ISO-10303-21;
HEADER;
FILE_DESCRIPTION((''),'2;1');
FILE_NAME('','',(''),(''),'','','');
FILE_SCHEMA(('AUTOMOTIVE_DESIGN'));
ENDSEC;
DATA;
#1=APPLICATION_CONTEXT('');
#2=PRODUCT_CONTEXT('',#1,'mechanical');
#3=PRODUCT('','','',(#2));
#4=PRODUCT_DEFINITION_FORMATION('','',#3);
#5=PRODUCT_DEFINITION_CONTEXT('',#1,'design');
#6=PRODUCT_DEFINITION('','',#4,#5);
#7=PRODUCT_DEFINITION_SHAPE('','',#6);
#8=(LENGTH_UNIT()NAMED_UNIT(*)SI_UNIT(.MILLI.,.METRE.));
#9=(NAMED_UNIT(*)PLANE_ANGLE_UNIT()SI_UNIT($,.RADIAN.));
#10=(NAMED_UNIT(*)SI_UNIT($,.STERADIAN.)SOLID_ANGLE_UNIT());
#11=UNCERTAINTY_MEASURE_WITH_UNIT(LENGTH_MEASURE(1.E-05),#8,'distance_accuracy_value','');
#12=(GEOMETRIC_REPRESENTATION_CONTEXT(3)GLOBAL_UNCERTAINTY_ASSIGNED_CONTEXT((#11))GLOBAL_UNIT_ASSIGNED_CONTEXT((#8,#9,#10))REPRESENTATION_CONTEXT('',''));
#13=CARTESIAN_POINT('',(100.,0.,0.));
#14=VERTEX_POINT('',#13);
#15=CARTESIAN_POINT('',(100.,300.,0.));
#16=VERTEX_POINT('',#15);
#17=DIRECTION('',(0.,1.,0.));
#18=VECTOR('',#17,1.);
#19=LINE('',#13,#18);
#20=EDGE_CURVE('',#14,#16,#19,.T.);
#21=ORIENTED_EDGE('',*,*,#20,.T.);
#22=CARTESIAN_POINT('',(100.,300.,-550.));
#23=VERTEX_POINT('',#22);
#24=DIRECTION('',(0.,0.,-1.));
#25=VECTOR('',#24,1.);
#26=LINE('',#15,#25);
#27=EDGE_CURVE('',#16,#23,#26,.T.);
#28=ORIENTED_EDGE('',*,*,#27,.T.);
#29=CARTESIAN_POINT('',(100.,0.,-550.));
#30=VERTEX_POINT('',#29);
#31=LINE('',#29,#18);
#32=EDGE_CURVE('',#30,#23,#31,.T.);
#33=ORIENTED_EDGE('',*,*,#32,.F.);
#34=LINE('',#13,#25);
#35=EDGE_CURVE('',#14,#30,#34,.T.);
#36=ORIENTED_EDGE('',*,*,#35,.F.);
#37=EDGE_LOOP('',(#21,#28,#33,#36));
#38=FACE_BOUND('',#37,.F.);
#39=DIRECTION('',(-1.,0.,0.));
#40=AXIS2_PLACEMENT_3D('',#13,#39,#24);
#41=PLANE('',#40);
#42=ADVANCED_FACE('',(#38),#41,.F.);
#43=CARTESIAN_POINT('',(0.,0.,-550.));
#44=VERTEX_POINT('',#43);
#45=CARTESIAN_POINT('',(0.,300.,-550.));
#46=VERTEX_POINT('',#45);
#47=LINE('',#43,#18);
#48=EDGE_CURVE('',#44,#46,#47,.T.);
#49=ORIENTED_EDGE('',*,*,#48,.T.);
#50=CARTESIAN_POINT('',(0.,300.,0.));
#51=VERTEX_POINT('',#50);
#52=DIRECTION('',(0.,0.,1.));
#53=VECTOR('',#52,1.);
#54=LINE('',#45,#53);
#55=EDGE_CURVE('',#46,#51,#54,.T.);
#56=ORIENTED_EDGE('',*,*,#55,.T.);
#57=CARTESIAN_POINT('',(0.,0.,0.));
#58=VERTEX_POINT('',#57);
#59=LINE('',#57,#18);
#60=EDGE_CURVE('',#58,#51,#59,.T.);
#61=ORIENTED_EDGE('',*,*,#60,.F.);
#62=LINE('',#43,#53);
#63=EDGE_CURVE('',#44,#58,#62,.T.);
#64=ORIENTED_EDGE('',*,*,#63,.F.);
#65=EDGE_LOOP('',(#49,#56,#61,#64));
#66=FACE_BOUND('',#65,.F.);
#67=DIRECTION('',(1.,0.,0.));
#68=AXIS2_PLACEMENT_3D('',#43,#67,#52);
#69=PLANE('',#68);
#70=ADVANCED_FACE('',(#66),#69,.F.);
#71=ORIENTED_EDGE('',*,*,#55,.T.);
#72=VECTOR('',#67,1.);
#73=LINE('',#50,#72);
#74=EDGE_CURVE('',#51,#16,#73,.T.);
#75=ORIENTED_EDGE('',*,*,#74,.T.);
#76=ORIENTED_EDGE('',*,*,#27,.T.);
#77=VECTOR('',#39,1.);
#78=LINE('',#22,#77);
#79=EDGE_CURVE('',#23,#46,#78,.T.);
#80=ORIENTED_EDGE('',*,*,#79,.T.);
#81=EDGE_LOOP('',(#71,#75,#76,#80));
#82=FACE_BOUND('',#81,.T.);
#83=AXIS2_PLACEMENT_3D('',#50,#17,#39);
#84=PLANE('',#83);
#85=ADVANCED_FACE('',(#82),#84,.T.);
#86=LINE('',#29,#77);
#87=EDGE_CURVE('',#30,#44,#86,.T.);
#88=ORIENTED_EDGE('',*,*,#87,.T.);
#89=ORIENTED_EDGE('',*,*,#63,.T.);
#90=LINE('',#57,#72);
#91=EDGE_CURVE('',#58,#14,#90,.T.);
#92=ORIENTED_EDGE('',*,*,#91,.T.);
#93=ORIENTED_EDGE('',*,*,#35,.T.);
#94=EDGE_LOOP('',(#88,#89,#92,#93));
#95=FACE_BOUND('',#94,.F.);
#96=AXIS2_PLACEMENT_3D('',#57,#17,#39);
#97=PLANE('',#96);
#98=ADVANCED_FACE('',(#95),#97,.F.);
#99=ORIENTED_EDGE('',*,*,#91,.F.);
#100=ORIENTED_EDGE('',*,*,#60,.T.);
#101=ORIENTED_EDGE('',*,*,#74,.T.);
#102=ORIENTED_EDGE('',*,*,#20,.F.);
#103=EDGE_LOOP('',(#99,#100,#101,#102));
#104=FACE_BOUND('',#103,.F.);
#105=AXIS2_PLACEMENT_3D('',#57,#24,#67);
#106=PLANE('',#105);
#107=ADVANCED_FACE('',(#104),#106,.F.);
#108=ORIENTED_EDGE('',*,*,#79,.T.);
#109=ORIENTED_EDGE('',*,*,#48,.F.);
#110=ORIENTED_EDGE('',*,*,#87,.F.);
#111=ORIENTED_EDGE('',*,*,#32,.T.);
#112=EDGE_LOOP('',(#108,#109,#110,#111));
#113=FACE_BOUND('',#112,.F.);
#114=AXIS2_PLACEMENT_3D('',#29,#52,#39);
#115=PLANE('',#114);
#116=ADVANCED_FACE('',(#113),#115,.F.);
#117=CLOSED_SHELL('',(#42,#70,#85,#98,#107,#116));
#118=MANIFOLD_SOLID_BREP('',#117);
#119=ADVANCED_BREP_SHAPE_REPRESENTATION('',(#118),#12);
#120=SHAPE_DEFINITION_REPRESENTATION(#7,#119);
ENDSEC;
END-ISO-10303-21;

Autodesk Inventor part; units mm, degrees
ref_plane "YZ Plane" through (0, 0, 0) normal (1, 0, 0) x (0, 1, 0)
ref_plane "XZ Plane" through (0, 0, 0) normal (0, 1, 0) x (-1, 0, 0)
ref_plane "XY Plane" through (0, 0, 0) normal (0, 0, 1) x (1, 0, 0)
sketch "Sketch1" plane through (0, 0, 0) normal (0, 1, 0) x (-1, 0, 0)
  line L0 (0, 0) -> (-100, 0)
  line L1 (-100, 0) -> (-100, -550)
  line L2 (-100, -550) -> (0, -550)
  line L3 (0, -550) -> (0, 0)
  dimension "d0" = 100
  dimension "d1" = 550
extrude "Extrusion1" add sketch "Sketch1" along normal blind 300
